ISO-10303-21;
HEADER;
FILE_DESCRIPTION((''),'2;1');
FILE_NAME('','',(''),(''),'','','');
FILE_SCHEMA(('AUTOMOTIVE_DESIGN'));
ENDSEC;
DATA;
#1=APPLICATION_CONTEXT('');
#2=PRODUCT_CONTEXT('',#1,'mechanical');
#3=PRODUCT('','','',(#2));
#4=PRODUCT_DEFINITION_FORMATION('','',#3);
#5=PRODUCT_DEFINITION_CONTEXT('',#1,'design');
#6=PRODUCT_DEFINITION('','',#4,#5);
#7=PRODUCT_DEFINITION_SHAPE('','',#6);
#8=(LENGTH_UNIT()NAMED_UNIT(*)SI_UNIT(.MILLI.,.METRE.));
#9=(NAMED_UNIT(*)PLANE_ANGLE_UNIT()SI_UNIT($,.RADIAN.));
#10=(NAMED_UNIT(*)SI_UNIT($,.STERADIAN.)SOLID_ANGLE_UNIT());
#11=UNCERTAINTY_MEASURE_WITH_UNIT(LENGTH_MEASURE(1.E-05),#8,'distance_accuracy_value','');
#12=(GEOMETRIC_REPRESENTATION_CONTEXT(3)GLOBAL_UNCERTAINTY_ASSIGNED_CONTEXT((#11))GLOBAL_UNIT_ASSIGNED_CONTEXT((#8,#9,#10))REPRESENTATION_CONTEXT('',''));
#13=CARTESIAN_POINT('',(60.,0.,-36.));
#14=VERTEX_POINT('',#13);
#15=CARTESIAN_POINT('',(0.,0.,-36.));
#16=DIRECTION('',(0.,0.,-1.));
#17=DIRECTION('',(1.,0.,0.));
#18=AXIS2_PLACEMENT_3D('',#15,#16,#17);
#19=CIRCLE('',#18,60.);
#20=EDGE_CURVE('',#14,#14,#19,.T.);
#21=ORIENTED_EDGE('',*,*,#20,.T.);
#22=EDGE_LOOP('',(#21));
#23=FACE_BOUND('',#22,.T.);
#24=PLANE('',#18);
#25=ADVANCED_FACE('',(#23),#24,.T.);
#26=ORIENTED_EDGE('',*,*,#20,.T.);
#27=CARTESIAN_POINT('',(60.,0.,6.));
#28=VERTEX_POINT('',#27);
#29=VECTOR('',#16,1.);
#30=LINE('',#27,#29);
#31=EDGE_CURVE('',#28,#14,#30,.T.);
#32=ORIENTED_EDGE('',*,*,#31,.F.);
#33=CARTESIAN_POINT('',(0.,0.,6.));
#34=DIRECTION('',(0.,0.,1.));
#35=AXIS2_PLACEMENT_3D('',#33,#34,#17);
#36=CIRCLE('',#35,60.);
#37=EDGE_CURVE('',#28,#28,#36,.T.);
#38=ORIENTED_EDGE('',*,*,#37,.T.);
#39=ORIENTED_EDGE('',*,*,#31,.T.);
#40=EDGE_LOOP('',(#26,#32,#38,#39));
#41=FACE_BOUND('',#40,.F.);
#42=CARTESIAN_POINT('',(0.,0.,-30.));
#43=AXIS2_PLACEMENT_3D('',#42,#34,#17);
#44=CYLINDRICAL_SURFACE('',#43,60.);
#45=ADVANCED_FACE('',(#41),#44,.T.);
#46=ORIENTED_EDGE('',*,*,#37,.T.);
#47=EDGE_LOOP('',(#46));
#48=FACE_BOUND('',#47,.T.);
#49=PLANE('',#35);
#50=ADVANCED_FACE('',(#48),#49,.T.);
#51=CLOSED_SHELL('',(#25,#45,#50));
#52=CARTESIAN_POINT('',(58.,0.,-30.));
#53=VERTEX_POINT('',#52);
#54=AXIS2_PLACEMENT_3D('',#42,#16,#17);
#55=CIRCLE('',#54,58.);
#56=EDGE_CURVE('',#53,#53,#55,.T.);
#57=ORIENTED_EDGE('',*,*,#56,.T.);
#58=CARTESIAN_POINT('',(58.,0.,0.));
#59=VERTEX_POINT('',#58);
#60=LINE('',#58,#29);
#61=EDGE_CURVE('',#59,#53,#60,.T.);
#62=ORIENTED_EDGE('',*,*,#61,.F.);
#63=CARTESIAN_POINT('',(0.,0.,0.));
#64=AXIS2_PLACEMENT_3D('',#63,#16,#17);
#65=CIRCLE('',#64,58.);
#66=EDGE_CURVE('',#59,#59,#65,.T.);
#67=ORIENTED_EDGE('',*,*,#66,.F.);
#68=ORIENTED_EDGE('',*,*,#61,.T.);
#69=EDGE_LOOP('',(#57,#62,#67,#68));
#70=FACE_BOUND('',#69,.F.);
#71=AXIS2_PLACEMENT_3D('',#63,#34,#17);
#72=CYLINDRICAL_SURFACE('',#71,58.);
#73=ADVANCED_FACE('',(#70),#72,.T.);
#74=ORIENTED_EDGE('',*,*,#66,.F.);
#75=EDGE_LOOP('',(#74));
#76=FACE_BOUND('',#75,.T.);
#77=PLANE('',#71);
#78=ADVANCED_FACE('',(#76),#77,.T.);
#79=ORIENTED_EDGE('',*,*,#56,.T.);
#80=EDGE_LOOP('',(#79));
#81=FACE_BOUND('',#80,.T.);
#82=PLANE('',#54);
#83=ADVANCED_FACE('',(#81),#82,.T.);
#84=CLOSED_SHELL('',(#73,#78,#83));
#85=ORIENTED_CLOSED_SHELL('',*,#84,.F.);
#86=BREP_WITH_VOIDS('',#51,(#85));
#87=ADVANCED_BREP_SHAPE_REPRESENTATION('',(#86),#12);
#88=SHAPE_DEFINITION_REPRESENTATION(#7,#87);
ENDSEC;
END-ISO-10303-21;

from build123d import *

# Parameters (mm, degrees)
F0_R     = 60
F1_DEPTH = 6
F2_R     = 60
F2_R_2   = 58
F3_DEPTH = 30
F4_R     = 60
F5_DEPTH = 6


with BuildPart() as f1:
    # F0 (on Top) → F1 (new body)
    with BuildSketch(Plane.XY):
        Circle(F0_R)
    extrude(amount=F1_DEPTH)

    # F2 (on face) → F3 (join)
    with BuildSketch(Plane(origin=(0, 0, 0), x_dir=(1, 0, 0), z_dir=(0, 0, -1))):
        Circle(F2_R)
        Circle(F2_R_2, mode=Mode.SUBTRACT)
    extrude(amount=F3_DEPTH)

    # F4 (on face) → F5 (join)
    with BuildSketch(Plane(origin=(0, 0, -30), x_dir=(1, 0, 0), z_dir=(0, 0, -1))):
        Circle(F4_R)
    extrude(amount=F5_DEPTH)


solid = f1.part
